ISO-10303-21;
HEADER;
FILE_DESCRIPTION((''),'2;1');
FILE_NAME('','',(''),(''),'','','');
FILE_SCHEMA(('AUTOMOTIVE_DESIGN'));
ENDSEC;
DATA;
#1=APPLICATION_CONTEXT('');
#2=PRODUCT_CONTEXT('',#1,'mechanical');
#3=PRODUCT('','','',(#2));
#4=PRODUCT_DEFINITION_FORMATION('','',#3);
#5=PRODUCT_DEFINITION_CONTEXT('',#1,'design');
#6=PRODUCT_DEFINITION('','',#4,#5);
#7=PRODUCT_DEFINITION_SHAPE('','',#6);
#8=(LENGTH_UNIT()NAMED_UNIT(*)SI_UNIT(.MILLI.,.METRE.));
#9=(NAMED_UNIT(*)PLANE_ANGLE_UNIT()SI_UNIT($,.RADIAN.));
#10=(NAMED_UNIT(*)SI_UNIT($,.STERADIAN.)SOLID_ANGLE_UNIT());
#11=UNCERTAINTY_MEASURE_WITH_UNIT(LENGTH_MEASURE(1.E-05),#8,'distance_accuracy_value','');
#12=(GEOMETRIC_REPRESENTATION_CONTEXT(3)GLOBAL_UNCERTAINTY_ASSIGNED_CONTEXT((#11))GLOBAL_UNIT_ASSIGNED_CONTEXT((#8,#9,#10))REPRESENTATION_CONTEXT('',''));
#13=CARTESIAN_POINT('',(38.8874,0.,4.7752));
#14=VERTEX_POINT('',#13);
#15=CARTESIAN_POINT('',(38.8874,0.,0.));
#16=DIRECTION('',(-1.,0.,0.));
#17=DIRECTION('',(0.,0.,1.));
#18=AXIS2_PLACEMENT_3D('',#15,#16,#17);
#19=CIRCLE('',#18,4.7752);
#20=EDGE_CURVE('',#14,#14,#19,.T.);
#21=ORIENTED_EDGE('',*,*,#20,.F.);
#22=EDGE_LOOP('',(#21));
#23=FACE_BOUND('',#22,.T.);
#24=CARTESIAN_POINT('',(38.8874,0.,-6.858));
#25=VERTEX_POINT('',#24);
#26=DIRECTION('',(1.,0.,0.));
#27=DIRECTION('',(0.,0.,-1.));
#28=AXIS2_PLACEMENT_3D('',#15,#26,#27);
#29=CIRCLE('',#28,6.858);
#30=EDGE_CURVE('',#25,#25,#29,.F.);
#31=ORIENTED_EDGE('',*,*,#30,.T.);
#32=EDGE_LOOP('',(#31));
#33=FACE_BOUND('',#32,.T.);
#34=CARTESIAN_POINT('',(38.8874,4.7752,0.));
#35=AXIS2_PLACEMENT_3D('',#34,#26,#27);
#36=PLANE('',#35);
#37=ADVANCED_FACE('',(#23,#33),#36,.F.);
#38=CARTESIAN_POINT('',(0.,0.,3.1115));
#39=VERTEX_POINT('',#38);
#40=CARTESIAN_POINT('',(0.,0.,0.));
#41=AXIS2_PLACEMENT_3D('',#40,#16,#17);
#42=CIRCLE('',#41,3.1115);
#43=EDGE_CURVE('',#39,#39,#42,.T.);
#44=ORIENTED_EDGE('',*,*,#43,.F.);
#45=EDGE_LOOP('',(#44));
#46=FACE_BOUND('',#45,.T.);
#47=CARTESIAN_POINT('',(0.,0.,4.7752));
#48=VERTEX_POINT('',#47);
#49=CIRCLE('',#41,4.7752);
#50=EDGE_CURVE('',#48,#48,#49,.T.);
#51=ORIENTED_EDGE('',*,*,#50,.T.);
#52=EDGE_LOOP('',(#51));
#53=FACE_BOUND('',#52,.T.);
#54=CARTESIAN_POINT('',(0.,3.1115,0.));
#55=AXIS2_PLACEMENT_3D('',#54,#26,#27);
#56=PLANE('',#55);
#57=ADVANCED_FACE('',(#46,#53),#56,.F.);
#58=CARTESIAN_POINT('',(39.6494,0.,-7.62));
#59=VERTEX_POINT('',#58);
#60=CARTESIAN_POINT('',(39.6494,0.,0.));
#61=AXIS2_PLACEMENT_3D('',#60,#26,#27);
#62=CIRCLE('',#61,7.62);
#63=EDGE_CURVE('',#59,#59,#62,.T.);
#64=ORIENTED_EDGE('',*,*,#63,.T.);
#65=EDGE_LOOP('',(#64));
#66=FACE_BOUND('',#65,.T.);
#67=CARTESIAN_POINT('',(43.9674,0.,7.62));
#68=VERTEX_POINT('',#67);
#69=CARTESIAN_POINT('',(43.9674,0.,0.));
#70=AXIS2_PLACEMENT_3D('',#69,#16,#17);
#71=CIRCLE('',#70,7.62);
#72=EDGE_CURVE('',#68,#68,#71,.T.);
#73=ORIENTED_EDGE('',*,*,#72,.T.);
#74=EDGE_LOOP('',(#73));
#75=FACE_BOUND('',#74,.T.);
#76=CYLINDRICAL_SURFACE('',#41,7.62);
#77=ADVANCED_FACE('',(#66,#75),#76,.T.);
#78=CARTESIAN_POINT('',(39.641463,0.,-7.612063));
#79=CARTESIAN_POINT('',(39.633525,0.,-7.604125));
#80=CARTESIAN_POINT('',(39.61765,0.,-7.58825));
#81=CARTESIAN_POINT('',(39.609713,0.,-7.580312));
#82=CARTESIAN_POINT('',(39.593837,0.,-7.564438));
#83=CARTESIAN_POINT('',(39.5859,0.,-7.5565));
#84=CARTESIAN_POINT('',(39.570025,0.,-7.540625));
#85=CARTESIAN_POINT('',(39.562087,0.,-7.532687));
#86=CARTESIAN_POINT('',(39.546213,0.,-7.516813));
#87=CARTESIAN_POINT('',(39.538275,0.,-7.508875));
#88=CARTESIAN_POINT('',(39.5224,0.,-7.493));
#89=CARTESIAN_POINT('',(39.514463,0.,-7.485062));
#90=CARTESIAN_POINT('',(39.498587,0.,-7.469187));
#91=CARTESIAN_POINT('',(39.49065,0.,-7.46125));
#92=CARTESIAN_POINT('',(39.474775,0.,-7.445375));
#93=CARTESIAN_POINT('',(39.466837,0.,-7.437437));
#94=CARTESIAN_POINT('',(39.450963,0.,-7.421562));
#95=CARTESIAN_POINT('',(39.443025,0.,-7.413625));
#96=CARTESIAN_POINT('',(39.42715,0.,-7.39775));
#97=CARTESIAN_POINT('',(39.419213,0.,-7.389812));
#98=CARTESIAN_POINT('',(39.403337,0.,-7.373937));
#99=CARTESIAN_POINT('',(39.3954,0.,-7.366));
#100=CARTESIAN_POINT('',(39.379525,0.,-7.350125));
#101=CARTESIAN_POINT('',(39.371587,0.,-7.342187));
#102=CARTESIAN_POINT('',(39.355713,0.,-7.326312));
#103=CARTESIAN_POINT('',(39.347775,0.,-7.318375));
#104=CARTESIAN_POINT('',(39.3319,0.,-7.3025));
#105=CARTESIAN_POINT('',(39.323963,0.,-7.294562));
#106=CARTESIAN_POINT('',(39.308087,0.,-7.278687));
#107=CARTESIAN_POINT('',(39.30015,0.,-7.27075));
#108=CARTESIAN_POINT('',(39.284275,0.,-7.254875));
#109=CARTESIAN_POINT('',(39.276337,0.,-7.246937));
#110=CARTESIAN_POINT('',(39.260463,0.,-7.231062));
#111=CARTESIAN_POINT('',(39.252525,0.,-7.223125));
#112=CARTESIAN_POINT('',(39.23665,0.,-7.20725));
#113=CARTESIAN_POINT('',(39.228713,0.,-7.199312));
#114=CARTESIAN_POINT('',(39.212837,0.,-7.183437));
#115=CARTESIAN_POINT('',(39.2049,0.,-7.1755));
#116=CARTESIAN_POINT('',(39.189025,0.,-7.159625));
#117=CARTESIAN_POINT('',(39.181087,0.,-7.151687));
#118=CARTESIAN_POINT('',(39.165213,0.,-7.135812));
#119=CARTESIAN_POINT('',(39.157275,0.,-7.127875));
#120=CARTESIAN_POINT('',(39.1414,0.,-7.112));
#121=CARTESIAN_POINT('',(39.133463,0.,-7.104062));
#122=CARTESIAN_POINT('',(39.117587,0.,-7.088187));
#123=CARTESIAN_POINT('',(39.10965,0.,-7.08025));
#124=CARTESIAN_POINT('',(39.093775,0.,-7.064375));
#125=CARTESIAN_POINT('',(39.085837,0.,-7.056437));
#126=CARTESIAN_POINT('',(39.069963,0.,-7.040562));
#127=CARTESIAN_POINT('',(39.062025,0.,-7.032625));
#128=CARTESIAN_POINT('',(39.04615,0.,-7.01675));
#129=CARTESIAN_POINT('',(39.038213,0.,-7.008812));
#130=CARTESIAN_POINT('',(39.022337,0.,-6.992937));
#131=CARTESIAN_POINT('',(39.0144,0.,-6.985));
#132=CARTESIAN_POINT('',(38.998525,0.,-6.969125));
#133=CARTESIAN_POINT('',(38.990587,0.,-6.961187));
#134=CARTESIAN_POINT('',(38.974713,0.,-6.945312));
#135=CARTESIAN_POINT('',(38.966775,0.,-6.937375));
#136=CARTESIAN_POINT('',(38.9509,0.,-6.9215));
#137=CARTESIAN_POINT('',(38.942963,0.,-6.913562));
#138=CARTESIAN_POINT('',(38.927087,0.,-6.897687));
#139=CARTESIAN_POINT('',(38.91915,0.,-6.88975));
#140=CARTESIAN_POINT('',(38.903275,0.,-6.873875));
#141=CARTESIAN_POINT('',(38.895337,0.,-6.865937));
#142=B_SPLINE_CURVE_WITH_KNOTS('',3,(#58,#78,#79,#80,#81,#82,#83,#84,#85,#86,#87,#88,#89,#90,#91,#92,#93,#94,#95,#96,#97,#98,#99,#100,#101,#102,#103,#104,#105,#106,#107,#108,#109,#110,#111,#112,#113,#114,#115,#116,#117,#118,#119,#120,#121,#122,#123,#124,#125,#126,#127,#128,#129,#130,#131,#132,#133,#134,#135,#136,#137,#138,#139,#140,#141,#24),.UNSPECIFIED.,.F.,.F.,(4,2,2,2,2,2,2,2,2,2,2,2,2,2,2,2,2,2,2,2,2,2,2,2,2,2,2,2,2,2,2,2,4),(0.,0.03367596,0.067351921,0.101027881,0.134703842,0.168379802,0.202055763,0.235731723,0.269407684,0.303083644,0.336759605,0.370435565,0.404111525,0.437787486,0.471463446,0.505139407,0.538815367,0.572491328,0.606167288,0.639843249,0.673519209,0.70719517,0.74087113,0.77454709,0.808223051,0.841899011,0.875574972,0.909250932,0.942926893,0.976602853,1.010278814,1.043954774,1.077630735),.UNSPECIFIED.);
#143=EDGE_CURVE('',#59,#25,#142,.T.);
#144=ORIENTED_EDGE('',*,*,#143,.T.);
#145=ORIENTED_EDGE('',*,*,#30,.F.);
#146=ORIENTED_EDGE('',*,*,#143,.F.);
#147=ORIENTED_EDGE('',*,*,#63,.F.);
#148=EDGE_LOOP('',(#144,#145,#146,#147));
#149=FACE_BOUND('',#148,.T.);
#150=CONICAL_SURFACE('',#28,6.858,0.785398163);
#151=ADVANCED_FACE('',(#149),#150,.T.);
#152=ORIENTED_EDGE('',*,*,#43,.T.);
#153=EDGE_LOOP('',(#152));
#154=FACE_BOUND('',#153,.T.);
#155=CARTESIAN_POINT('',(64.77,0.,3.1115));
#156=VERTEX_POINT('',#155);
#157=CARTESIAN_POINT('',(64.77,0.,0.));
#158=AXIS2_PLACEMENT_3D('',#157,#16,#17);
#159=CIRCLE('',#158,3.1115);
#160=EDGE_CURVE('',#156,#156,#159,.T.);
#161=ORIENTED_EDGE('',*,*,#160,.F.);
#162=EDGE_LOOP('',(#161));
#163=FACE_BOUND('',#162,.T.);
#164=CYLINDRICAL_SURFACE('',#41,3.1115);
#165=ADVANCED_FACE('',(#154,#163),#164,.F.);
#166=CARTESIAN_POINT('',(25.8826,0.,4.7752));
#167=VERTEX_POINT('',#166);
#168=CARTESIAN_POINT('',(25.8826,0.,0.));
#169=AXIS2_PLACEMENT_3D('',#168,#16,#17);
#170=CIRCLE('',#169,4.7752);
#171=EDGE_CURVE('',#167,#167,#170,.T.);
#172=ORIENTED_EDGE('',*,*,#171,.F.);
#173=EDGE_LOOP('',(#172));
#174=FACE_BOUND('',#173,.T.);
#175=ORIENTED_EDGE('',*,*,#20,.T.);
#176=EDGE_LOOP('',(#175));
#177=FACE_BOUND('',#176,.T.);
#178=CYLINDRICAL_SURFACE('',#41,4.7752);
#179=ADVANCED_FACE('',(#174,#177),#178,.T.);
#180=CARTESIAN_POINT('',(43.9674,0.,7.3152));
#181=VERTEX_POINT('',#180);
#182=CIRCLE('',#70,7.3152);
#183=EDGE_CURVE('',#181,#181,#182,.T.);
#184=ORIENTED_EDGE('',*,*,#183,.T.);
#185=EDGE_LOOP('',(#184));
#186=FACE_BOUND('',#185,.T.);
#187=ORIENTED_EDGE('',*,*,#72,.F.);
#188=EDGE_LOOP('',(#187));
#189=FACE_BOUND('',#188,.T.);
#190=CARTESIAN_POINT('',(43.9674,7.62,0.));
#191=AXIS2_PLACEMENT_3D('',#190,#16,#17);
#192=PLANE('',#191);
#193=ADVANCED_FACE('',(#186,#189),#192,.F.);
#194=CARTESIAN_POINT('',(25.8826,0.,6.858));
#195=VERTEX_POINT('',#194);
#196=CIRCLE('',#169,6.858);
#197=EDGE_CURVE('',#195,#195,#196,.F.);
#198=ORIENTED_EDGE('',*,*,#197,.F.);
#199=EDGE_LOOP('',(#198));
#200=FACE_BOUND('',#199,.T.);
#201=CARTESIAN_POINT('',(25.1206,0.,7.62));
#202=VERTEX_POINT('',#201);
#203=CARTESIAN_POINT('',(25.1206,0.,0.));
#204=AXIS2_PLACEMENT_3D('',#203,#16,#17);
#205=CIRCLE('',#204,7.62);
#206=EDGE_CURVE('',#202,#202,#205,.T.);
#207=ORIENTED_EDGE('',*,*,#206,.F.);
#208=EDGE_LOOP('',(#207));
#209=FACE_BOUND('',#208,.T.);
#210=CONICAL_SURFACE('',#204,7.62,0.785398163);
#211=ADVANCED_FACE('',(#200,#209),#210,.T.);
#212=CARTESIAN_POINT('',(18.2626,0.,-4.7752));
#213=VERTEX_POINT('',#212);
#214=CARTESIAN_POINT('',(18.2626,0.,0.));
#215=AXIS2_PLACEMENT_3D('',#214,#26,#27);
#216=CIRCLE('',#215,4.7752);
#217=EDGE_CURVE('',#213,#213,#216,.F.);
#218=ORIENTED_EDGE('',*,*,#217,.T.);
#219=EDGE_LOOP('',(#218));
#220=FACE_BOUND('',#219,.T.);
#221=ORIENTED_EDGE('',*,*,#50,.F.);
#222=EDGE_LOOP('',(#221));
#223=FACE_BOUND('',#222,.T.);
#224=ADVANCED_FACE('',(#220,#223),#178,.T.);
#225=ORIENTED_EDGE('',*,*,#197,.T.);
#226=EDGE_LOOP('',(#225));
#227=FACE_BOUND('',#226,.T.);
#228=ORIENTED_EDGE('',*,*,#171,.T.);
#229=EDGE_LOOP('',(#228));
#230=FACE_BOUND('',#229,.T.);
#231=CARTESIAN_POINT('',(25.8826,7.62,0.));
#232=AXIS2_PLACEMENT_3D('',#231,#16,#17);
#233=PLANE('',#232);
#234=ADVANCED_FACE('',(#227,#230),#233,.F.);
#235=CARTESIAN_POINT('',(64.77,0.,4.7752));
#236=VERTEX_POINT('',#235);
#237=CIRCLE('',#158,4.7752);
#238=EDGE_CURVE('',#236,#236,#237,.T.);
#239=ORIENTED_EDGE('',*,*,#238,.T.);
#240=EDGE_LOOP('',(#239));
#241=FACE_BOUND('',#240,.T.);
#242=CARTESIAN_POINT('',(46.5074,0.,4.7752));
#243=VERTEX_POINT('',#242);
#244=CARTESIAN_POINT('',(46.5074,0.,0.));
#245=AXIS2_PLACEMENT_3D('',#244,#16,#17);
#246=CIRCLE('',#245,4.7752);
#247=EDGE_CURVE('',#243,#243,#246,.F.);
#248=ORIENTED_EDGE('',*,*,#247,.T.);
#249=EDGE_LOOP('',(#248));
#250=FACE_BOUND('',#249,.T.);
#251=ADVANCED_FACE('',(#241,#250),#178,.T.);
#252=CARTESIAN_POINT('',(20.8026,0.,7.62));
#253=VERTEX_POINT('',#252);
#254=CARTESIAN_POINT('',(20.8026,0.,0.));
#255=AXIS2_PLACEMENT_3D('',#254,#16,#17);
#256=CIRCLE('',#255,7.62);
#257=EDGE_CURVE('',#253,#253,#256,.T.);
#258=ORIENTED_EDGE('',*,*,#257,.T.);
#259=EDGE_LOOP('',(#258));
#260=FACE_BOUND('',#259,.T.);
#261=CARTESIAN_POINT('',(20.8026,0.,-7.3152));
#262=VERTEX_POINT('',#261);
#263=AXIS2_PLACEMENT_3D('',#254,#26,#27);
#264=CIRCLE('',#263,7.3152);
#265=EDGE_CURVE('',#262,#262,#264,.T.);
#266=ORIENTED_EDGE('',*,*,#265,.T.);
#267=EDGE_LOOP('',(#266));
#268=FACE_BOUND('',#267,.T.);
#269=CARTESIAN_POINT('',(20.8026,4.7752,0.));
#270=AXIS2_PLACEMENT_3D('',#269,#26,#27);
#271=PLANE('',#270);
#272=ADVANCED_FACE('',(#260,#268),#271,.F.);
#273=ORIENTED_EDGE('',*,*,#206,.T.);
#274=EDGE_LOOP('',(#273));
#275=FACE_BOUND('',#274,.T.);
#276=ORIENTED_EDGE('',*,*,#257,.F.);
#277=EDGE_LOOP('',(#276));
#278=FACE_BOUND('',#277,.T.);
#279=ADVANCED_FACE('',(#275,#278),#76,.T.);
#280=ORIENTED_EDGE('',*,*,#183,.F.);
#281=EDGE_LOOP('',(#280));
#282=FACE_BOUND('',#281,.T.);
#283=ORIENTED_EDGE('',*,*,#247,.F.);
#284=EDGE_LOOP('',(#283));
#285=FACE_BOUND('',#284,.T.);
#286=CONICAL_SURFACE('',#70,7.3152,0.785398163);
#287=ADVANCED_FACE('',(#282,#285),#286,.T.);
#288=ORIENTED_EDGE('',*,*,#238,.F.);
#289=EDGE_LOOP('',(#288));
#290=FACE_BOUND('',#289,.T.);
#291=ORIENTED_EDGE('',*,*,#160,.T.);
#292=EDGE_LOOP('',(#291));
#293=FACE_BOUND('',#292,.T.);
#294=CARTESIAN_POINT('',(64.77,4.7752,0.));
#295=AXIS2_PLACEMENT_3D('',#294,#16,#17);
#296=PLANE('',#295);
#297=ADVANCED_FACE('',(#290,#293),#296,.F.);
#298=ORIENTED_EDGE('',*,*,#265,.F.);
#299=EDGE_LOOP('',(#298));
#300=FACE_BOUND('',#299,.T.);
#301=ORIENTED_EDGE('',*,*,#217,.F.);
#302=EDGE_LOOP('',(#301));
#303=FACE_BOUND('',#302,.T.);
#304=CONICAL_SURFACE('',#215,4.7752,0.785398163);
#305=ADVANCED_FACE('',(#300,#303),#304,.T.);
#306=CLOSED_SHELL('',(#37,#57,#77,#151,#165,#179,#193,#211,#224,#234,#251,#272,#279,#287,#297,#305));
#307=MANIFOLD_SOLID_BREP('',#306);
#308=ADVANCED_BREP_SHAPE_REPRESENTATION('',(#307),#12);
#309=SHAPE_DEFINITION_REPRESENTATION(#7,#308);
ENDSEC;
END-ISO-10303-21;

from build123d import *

# Parameters (mm, degrees)
CHAMFER1_SIZE = 0.762
CHAMFER2_SIZE = 2.54


with BuildPart() as part:
    # Sketch1 → Revolve1 (revolve)
    with BuildSketch(Plane.XY, mode=Mode.PRIVATE) as revolve1_sk:
        Polygon((0, 3.1115), (0, 4.7752), (20.8026, 4.7752), (20.8026, 7.62), (25.8826, 7.62), (25.8826, 4.7752), (38.8874, 4.7752), (38.8874, 7.62), (43.9674, 7.62), (43.9674, 4.7752), (64.77, 4.7752), (64.77, 3.1115), align=None)
    revolve(revolve1_sk.sketch.rotate(Axis((0, 0, 0), (1, 0, 0)), 90), axis=Axis((0, 0, 0), (1, 0, 0)))

    # Chamfer1
    chamfer1_edges = [part.edges().sort_by_distance(p)[0] for p in [
        (38.8874, 0, -7.62),
        (25.8826, 0, -7.62),
    ]]
    chamfer(chamfer1_edges, length=CHAMFER1_SIZE)

    # Chamfer2
    chamfer2_edges = [part.edges().sort_by_distance(p)[0] for p in [
        (43.9674, 0, -4.7752),
        (20.8026, 0, -4.7752),
    ]]
    chamfer(chamfer2_edges, length=CHAMFER2_SIZE)


solid = part.part
